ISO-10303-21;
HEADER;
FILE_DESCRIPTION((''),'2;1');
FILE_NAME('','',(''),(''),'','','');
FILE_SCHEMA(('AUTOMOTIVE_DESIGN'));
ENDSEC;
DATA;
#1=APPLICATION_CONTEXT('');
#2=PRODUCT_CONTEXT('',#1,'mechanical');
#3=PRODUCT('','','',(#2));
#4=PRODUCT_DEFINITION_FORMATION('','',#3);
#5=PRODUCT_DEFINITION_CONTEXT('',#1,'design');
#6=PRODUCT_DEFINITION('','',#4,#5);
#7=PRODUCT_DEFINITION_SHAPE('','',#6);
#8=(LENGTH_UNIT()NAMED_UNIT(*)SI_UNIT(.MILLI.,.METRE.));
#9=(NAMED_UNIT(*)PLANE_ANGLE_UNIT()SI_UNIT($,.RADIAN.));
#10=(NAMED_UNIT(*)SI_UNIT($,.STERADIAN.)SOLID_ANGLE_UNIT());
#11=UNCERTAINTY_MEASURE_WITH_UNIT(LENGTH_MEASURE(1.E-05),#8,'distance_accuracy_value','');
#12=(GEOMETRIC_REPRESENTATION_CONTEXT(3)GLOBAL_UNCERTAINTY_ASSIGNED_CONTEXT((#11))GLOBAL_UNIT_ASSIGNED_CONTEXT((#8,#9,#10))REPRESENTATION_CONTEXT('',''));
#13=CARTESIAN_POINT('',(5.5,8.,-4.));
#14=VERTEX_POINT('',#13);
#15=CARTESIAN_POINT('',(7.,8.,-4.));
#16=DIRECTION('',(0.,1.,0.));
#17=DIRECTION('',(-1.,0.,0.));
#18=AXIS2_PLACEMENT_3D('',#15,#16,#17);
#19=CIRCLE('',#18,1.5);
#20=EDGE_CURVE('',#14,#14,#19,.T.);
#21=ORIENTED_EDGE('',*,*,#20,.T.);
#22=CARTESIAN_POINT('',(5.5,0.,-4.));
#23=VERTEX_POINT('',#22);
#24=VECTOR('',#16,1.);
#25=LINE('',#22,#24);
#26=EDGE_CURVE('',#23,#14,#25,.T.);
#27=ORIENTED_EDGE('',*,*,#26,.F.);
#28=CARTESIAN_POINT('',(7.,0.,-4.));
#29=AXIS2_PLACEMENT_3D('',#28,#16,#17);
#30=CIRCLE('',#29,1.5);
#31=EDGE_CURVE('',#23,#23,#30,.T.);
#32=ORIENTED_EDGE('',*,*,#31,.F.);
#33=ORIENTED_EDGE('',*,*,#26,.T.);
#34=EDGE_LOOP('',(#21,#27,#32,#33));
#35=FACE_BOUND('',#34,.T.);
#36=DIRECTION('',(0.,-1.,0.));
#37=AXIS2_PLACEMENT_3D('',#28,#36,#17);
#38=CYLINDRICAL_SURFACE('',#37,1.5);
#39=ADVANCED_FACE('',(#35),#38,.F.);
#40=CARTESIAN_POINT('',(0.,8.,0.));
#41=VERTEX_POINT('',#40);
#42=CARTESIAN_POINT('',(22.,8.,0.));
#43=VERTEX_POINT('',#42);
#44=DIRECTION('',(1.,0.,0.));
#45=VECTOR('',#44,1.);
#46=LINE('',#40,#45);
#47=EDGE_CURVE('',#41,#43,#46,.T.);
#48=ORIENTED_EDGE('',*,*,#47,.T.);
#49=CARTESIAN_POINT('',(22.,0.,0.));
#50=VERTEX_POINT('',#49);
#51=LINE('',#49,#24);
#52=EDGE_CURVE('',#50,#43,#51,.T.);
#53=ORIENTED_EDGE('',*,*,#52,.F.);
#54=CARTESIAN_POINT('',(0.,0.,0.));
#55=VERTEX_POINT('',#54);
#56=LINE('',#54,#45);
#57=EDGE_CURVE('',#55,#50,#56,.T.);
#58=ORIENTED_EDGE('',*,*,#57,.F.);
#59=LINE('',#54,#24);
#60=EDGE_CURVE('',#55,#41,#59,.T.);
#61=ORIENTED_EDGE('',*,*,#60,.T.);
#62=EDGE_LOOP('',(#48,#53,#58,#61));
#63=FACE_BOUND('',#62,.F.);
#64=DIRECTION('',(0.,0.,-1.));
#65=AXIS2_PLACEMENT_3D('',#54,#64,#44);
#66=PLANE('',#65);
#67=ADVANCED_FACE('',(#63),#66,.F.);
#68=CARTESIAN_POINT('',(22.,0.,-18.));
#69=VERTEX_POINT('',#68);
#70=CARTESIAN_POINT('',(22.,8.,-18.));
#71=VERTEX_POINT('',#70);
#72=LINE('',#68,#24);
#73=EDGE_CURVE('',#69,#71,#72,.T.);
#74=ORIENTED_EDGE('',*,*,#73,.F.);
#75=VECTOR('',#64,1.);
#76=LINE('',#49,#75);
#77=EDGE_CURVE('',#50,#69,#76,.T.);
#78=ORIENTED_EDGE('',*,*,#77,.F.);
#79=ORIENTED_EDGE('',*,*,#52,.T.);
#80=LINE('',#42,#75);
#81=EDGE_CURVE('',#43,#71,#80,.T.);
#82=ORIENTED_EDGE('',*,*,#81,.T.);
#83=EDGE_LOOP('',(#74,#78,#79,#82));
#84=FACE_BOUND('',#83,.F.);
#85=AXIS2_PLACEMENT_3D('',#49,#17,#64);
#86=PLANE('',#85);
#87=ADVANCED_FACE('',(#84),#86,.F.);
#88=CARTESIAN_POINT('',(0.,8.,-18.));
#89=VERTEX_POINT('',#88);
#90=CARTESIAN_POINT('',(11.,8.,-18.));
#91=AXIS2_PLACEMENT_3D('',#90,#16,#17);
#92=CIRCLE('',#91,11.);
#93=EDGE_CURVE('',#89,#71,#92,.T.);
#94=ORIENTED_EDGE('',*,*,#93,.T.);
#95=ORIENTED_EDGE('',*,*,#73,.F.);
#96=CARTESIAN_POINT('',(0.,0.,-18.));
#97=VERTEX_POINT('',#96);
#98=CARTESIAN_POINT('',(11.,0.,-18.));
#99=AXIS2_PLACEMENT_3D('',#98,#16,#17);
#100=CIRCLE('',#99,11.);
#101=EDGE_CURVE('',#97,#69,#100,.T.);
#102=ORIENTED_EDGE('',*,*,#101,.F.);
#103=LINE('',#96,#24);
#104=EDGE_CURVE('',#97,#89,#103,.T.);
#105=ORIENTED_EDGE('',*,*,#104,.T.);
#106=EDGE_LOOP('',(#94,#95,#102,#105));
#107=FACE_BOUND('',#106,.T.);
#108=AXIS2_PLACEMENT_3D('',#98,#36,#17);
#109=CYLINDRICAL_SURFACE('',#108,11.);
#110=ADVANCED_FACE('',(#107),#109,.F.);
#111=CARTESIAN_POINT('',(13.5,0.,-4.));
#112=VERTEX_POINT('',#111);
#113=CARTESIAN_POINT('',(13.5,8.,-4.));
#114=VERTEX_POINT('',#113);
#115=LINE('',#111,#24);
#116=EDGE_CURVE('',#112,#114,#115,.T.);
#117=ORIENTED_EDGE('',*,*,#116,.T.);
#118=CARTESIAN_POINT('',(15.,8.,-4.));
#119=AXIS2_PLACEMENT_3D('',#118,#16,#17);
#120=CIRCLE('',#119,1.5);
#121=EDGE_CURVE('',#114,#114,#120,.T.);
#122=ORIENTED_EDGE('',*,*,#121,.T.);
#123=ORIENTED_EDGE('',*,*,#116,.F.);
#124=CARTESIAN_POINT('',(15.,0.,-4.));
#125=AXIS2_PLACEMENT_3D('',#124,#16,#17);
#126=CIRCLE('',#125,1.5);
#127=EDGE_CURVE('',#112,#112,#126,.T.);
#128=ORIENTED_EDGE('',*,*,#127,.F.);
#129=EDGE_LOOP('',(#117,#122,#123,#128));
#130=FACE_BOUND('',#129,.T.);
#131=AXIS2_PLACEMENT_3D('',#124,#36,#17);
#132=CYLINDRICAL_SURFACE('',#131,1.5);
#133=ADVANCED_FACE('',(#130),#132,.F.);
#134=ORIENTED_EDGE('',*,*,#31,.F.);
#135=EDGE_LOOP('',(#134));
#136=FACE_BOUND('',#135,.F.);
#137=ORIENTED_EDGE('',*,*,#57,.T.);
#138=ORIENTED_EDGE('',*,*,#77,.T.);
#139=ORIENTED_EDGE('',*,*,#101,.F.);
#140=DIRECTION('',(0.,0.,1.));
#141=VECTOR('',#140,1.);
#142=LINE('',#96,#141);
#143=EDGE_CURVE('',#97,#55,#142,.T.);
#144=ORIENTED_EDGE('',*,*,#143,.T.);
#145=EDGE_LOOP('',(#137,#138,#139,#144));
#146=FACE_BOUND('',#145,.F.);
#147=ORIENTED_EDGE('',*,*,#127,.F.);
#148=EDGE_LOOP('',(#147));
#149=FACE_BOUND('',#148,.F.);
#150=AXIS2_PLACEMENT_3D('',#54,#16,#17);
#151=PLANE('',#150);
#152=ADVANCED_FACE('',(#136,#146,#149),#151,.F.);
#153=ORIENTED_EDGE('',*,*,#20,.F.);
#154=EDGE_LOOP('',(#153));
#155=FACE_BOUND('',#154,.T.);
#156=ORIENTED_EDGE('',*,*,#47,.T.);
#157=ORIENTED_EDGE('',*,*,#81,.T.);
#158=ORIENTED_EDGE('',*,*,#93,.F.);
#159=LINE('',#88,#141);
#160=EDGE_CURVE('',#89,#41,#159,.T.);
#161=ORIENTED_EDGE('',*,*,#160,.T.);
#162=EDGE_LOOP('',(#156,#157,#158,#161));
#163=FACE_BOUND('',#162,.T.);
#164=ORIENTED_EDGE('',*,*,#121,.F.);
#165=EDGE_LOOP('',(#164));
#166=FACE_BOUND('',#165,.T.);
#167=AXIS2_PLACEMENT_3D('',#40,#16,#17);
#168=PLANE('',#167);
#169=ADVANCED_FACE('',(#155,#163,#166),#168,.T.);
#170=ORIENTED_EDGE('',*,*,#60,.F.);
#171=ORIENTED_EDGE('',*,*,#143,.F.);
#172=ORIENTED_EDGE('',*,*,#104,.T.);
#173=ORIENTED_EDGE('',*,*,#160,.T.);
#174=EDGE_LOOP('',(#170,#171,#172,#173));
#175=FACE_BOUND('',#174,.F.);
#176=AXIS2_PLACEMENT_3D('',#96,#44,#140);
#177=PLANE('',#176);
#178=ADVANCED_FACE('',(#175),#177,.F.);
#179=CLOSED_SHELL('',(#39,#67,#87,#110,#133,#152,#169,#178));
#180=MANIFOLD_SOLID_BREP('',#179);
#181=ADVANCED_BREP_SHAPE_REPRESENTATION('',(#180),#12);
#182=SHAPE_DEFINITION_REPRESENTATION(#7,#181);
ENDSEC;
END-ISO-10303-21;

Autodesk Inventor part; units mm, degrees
ref_plane "YZ Plane" through (0, 0, 0) normal (1, 0, 0) x (0, 1, 0)
ref_plane "XZ Plane" through (0, 0, 0) normal (0, 1, 0) x (-1, 0, 0)
ref_plane "XY Plane" through (0, 0, 0) normal (0, 0, 1) x (1, 0, 0)
sketch "Boceto1" plane through (0, 0, 0) normal (0, 1, 0) x (-1, 0, 0)
  line L0 (0, 0) -> (-22, 0)
  line L1 (-22, 0) -> (-22, -18)
  line L2 (0, -18) -> (0, 0)
  arc A0 (0, -18) -> (-22, -18) centre (-11, -18) ccw
  circle A1 centre (-15, -4) radius 1.5
  circle A2 centre (-7, -4) radius 1.5
  dimension "d0" = 3
  dimension "d1" = 4
  dimension "d2" = 7
  dimension "d3" = 3
  dimension "d4" = 7
  dimension "d5" = 4
extrude "Extrusión1" add sketch "Boceto1" along normal blind 8
properties part number "CubreRodamiento" material "Nilón 6/6"
